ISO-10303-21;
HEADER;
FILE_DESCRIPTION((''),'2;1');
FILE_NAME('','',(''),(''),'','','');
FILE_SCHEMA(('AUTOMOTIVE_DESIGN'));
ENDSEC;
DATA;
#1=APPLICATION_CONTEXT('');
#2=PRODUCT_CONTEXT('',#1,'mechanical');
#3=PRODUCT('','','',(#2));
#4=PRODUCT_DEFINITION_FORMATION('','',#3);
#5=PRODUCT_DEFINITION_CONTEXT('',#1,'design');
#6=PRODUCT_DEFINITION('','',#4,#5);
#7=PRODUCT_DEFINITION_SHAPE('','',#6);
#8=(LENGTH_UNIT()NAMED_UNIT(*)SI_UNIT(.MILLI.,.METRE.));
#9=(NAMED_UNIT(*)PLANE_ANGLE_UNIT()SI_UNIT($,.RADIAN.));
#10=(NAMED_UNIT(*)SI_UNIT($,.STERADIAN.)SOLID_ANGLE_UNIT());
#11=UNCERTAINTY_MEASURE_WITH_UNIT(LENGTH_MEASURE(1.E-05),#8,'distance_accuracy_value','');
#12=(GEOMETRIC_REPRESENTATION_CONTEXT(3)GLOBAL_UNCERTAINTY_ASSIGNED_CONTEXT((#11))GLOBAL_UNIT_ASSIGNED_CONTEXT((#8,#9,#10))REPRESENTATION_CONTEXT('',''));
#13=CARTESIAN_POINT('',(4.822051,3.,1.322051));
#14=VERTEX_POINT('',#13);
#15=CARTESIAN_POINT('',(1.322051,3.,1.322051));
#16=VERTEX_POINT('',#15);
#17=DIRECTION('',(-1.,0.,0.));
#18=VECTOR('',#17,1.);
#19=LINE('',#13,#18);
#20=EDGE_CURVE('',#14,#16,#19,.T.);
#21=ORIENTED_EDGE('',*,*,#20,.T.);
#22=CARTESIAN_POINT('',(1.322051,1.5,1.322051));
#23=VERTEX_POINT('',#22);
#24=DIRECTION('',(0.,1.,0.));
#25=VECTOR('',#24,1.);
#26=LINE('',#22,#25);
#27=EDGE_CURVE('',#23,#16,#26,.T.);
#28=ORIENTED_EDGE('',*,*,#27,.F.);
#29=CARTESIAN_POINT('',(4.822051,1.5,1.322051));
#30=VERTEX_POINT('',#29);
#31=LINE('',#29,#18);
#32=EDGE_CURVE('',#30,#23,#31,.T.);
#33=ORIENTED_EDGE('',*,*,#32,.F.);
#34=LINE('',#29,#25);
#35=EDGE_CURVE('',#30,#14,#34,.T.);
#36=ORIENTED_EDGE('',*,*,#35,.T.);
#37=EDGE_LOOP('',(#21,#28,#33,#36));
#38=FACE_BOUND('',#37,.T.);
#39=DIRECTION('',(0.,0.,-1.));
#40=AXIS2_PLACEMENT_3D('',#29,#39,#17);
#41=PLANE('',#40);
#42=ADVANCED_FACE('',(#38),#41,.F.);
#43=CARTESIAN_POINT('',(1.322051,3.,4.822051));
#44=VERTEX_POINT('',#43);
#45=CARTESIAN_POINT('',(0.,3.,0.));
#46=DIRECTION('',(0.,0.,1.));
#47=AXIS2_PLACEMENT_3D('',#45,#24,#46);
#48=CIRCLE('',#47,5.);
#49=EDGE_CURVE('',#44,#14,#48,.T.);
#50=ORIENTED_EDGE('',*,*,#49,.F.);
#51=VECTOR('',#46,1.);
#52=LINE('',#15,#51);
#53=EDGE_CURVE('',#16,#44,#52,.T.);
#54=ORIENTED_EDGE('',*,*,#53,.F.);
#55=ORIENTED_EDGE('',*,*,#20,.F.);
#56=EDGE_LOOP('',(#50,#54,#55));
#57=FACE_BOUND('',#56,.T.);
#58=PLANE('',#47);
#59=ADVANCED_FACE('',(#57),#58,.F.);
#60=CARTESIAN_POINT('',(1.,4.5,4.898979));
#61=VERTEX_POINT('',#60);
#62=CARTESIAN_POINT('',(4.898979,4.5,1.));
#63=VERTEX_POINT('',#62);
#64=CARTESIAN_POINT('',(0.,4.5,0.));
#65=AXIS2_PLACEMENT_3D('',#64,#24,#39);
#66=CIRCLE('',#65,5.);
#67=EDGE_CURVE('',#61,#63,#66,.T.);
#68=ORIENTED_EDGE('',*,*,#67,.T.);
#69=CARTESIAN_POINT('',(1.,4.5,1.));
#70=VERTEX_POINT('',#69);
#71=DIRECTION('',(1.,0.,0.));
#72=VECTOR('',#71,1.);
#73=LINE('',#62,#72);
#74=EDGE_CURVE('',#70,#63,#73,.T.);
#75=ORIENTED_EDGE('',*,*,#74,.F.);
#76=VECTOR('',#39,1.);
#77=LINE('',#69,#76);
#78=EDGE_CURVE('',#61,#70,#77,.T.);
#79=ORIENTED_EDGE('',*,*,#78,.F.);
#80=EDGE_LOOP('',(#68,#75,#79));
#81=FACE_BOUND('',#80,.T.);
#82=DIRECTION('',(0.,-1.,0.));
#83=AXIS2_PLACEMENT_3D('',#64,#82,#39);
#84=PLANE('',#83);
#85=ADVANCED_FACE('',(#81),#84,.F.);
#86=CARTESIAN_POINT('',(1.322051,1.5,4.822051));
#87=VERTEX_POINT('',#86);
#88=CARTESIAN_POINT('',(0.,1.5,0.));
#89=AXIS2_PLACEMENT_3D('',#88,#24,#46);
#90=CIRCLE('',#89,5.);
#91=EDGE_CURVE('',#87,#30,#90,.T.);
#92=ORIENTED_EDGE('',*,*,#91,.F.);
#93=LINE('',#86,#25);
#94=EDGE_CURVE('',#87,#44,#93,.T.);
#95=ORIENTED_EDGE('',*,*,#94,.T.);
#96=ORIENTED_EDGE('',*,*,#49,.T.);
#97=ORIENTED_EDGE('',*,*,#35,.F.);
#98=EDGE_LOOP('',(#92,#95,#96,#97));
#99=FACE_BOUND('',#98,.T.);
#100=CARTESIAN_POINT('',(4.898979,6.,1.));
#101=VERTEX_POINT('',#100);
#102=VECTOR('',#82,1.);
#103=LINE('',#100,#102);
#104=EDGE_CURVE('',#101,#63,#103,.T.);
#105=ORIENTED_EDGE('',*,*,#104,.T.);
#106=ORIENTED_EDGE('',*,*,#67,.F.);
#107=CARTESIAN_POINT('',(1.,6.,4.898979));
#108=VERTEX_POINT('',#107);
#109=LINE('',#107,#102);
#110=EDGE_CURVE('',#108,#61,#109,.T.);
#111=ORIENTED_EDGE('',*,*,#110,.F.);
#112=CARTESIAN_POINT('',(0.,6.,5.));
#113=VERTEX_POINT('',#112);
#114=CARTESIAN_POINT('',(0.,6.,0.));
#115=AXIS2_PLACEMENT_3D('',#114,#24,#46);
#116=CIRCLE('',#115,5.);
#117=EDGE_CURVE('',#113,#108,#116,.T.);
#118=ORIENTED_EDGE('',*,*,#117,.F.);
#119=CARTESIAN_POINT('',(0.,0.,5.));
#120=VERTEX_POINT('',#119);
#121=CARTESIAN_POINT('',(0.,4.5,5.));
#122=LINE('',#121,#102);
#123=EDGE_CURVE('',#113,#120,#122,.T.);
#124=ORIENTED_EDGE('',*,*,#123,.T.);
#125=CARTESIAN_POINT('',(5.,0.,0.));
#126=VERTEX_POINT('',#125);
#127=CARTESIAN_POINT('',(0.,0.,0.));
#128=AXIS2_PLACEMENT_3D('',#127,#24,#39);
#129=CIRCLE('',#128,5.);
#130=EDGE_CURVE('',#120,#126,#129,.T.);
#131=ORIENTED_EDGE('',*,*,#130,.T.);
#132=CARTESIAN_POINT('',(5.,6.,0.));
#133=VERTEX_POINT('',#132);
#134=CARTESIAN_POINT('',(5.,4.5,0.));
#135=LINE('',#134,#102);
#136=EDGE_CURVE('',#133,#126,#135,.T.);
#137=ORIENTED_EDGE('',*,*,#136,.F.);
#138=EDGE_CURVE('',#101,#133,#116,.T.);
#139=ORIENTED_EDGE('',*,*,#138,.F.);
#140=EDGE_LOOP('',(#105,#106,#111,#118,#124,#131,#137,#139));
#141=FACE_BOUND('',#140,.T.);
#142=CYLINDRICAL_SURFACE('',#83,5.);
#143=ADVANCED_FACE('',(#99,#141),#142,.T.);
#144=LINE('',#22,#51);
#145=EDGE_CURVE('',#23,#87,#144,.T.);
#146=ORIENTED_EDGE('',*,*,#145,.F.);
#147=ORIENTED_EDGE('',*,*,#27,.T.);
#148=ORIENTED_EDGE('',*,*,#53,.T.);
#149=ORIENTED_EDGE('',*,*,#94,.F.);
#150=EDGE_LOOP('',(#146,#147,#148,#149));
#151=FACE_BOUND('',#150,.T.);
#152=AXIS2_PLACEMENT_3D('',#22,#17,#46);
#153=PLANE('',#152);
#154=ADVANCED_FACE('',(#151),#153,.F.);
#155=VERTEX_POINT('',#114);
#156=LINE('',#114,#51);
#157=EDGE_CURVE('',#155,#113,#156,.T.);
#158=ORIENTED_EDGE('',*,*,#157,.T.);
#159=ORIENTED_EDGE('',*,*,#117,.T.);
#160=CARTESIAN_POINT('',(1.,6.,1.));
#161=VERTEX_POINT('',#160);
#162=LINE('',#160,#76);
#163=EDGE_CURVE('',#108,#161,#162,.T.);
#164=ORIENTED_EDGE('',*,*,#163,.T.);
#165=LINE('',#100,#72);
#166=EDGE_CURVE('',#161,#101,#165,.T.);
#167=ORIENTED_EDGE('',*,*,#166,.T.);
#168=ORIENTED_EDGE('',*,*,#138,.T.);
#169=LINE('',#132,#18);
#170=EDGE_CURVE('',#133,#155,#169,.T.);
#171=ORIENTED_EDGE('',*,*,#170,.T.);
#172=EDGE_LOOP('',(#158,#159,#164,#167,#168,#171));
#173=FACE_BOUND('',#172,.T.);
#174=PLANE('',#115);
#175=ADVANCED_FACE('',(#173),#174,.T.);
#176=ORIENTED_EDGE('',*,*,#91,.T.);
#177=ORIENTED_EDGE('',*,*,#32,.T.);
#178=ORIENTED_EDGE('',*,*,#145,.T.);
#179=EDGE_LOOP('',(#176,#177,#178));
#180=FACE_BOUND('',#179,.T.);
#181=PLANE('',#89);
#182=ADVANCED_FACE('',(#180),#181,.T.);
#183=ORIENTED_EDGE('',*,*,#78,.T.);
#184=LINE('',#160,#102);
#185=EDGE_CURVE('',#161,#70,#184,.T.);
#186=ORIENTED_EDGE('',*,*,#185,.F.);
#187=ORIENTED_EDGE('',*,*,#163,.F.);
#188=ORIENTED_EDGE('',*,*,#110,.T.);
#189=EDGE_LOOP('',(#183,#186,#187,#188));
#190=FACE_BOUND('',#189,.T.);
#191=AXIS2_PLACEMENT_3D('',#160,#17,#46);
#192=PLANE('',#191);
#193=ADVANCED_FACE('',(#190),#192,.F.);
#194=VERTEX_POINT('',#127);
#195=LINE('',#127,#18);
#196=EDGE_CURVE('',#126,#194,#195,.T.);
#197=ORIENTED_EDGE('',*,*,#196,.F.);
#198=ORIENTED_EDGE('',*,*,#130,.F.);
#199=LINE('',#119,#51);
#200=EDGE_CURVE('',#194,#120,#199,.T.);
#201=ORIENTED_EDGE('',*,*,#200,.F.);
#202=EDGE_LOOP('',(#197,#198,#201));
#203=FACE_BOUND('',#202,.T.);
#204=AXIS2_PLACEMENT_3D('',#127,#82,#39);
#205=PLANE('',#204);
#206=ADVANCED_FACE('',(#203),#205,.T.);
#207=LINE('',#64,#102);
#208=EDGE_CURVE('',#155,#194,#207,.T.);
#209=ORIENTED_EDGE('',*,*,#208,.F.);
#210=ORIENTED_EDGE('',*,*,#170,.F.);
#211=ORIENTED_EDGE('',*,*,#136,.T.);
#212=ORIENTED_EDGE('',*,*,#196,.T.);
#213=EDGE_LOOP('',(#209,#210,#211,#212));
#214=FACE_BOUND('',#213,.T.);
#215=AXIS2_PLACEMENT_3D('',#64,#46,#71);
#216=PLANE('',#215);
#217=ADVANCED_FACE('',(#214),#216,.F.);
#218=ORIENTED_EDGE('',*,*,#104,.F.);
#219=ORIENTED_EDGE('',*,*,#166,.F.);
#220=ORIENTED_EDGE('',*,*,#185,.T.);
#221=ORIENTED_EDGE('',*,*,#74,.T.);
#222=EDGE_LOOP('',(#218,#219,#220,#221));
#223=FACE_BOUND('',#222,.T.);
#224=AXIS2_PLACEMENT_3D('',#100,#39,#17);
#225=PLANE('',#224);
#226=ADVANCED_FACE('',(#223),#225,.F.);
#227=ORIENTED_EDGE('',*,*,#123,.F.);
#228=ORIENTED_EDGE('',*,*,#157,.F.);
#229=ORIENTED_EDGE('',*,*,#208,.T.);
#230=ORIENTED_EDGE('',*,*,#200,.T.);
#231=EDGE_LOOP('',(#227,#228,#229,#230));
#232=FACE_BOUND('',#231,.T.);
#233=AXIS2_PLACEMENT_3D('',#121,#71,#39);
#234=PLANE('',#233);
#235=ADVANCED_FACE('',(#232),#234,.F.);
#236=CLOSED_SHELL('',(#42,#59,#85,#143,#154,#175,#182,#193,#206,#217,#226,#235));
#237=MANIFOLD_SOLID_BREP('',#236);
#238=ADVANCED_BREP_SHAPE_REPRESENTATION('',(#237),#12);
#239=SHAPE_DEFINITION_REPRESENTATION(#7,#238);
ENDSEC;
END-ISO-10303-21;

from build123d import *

# Parameters (mm, degrees)
BOSS_EXTRUDE1_DEPTH = 4.5
CUT_EXTRUDE1_START  = -3
CUT_EXTRUDE1_DEPTH  = 1.5
BOSS_EXTRUDE2_DEPTH = 1.5


with BuildPart() as part:
    # Sketch1 → Boss-Extrude1 (new body)
    with BuildSketch(Plane(origin=(0, 0, 0), x_dir=(1, 0, 0), z_dir=(0, 1, 0))):
        with BuildLine():
            Line((0, 0), (5, 0))
            ThreePointArc((5, 0), (3.535533906, -3.535533906), (0, -5))
            Line((0, -5), (0, 0))
        make_face()
    extrude(amount=BOSS_EXTRUDE1_DEPTH)

    # Sketch2 → Cut-Extrude1 (cut)
    with BuildSketch(Plane(origin=(0, 4.5, 0), x_dir=(1, 0, 0), z_dir=(0, 1, 0)).offset(CUT_EXTRUDE1_START)):
        with BuildLine():
            Line((4.822051432, -1.322051432), (1.322051432, -1.322051432))
            Line((1.322051432, -1.322051432), (1.322051432, -4.822051432))
            ThreePointArc((1.322051432, -4.822051432), (3.535533906, -3.535533906), (4.822051432, -1.322051432))
        make_face()
    extrude(amount=CUT_EXTRUDE1_DEPTH, mode=Mode.SUBTRACT)

    # Sketch3 → Boss-Extrude2 (add)
    with BuildSketch(Plane(origin=(0, 4.5, 0), x_dir=(1, 0, 0), z_dir=(0, 1, 0))):
        with BuildLine():
            Line((4.898979486, -1), (1, -1))
            Line((1, -1), (1, -4.898979486))
            ThreePointArc((1, -4.898979486), (0.50254481, -4.974680765), (0, -5))
            Line((0, -5), (0, 0))
            Line((0, 0), (5, 0))
            ThreePointArc((5, 0), (4.974680765, -0.50254481), (4.898979486, -1))
        make_face()
    extrude(amount=BOSS_EXTRUDE2_DEPTH)


solid = part.part
